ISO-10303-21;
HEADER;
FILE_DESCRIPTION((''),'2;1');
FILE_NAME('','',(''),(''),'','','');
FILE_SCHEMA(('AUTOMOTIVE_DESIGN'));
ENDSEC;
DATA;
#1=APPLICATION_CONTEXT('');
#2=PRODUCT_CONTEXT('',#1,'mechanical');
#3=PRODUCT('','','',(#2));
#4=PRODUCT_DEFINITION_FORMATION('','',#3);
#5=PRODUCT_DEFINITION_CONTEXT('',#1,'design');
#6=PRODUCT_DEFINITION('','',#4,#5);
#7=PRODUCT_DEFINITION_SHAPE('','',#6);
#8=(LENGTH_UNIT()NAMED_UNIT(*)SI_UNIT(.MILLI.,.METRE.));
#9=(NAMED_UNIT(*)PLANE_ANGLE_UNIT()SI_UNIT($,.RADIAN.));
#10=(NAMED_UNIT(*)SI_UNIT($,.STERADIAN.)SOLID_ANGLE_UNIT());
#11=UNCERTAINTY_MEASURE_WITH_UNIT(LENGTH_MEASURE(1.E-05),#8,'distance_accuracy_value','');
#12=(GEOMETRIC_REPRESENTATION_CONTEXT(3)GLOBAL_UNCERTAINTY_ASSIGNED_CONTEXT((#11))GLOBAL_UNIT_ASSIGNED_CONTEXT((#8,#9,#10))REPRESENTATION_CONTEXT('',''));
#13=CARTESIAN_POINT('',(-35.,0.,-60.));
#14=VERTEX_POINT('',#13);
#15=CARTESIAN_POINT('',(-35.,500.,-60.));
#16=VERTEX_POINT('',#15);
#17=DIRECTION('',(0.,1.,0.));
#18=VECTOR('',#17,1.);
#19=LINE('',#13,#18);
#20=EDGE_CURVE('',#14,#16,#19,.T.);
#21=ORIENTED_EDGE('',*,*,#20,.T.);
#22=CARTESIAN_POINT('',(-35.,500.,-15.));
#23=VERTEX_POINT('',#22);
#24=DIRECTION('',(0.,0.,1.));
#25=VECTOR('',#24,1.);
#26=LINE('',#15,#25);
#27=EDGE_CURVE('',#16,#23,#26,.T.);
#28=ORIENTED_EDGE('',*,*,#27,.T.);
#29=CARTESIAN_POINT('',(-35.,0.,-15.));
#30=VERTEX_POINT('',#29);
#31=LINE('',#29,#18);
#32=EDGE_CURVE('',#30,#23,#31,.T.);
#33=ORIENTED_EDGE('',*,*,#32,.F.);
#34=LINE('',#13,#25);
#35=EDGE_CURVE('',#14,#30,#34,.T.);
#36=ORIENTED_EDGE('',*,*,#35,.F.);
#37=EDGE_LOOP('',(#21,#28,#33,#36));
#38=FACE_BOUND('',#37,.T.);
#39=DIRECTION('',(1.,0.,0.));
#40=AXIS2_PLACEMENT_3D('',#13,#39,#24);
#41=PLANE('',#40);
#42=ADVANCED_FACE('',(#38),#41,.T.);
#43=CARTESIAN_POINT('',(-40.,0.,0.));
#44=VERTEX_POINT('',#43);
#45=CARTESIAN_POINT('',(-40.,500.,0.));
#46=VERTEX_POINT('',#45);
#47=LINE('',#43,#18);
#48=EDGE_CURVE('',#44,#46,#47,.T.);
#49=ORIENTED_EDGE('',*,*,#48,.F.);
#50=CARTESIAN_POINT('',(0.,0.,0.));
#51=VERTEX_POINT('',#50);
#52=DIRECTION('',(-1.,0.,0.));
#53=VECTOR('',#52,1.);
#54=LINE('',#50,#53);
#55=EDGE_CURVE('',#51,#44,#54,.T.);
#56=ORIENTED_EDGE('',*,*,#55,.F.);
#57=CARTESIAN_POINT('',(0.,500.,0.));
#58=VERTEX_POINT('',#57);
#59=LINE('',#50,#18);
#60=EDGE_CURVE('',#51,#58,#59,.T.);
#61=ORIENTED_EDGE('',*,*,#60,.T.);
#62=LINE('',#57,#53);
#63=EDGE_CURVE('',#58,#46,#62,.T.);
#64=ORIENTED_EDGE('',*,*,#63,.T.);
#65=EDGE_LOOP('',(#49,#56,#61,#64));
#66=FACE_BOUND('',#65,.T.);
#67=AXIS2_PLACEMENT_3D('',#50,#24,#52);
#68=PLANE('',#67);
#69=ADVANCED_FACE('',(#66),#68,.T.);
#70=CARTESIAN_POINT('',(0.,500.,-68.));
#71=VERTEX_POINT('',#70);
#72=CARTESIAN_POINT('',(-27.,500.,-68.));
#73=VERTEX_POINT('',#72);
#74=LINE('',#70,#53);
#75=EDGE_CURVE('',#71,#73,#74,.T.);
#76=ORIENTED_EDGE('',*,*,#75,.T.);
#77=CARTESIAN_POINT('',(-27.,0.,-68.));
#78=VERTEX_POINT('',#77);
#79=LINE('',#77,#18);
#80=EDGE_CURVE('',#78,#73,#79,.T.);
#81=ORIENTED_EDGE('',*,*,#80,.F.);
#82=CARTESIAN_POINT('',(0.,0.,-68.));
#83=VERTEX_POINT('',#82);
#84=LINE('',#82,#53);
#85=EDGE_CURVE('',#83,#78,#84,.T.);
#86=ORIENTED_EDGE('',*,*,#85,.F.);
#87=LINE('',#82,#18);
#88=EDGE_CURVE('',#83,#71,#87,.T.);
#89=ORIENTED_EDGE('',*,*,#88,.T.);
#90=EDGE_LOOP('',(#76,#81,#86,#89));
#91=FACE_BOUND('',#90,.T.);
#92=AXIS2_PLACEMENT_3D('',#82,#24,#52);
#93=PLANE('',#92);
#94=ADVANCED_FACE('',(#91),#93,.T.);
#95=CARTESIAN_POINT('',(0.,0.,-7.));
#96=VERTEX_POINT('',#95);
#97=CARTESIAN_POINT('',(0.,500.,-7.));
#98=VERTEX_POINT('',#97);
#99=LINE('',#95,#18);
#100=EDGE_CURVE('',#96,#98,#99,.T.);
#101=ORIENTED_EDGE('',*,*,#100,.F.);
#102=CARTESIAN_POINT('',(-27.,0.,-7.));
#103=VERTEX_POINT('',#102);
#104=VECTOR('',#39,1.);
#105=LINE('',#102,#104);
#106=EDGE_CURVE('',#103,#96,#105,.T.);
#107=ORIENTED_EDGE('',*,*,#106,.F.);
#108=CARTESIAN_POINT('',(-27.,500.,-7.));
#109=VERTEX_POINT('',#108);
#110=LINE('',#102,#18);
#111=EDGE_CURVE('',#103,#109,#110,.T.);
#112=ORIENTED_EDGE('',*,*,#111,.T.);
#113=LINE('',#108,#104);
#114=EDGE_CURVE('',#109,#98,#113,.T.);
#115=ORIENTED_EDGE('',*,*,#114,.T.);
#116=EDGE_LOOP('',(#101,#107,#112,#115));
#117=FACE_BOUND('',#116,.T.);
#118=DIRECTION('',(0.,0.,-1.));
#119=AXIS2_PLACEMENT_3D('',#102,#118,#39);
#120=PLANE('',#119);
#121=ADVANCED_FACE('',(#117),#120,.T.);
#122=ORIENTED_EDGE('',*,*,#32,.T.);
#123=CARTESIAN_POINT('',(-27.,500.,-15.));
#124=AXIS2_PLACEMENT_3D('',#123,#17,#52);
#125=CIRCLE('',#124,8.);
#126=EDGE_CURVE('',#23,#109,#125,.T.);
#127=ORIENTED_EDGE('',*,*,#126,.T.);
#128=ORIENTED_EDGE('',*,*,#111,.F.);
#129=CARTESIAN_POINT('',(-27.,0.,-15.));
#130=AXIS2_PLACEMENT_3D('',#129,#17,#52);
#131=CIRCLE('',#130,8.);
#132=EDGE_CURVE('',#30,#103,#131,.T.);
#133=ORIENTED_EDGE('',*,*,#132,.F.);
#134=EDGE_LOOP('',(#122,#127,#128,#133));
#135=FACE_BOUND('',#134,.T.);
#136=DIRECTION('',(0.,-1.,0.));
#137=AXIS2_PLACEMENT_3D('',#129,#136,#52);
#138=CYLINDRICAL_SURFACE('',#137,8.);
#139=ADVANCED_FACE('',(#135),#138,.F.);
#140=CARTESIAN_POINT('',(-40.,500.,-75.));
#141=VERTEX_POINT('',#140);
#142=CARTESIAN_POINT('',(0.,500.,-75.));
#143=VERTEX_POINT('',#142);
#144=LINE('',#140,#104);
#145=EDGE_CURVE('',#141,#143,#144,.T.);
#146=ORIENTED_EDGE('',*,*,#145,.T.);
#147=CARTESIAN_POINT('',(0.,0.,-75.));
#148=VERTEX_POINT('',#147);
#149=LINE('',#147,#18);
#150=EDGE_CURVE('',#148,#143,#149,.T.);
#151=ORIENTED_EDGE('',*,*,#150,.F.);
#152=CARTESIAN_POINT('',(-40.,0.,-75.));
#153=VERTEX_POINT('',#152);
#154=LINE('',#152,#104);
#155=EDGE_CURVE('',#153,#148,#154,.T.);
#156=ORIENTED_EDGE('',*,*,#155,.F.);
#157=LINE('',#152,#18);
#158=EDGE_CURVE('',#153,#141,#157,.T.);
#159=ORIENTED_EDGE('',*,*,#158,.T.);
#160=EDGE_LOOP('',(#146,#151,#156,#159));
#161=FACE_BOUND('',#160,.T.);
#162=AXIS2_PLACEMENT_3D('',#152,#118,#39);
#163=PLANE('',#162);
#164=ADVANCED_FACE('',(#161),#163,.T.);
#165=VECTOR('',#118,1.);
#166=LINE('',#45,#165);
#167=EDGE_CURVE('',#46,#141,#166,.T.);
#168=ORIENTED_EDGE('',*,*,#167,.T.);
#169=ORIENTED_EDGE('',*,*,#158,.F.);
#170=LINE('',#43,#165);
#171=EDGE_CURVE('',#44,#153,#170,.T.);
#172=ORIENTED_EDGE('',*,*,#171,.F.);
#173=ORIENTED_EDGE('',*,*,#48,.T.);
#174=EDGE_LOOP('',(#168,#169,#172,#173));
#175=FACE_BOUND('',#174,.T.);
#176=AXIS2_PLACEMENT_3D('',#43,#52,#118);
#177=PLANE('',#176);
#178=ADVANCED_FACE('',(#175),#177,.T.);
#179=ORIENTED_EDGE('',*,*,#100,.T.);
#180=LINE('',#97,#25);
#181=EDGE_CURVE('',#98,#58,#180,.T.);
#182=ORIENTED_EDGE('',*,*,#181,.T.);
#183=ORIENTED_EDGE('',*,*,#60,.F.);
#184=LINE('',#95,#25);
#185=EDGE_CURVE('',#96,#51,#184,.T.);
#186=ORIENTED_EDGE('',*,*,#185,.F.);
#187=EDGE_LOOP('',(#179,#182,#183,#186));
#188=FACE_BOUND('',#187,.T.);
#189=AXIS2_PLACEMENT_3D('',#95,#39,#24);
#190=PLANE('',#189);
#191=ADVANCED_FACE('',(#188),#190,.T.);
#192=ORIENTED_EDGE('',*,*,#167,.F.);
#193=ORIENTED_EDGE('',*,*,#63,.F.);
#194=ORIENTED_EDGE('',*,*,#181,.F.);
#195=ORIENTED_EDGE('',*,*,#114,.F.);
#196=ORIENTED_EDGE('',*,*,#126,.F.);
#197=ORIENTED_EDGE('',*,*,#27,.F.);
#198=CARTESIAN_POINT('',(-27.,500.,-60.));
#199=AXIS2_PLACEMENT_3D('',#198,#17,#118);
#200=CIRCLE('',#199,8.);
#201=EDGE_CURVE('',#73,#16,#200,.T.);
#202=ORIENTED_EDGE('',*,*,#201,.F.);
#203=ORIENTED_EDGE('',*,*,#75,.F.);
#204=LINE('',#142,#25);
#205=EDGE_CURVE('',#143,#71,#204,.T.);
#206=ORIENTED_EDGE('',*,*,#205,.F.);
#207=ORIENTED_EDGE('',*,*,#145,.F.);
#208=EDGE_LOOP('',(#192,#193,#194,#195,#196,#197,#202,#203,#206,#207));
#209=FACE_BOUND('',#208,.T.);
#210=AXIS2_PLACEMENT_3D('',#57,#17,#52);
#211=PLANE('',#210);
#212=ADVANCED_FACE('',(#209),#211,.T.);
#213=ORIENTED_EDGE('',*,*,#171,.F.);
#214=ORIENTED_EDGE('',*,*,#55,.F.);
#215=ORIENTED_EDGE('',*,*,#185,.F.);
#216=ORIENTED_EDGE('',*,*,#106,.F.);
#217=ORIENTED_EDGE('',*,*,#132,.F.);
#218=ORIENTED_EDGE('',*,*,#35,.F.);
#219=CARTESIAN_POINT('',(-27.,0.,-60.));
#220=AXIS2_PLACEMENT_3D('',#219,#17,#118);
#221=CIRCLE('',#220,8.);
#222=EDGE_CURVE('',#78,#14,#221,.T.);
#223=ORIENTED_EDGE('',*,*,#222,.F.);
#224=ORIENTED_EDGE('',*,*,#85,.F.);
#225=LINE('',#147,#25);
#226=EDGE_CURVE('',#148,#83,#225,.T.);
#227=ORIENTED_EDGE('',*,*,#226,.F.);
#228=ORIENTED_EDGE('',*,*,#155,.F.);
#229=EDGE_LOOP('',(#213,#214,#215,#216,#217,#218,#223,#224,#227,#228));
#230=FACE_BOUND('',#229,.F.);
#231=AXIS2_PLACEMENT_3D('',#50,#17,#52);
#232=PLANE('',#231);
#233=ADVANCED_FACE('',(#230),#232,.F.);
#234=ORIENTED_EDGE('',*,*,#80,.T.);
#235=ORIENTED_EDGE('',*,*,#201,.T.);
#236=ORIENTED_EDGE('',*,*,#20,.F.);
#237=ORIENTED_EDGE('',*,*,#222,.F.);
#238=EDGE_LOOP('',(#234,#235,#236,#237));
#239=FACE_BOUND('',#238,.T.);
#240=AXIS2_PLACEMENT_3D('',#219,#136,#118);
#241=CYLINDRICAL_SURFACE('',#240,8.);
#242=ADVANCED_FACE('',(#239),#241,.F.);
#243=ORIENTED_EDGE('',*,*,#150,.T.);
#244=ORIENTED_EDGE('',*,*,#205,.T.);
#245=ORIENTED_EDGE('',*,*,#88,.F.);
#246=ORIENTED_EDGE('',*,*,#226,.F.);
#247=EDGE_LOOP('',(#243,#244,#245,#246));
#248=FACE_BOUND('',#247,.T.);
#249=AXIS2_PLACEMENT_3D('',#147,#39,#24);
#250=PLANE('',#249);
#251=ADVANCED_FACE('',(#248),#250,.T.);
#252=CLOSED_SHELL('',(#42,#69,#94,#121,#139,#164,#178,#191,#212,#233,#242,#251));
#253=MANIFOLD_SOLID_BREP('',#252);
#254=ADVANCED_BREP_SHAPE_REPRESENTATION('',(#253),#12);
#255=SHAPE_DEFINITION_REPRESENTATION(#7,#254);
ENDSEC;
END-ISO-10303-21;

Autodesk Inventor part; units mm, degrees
ref_plane "YZ Plane" through (0, 0, 0) normal (1, 0, 0) x (0, 1, 0)
ref_plane "XZ Plane" through (0, 0, 0) normal (0, 1, 0) x (-1, 0, 0)
ref_plane "XY Plane" through (0, 0, 0) normal (0, 0, 1) x (1, 0, 0)
sketch "Sketch1" plane through (0, 0, 0) normal (0, 1, 0) x (-1, 0, 0)
  point P0 (0, 0)
sketch "Sketch2" plane through (0, 0, 0) normal (0, 1, 0) x (-1, 0, 0)
  line L0 (0, 0) -> (40, 0)
  line L1 (40, 0) -> (40, -75)
  line L2 (40, -75) -> (0, -75)
  line L3 (0, -75) -> (0, -68)
  line L4 (0, -68) -> (27, -68)
  line L5 (35, -60) -> (35, -15)
  line L6 (27, -7) -> (0, -7)
  line L7 (0, -7) -> (0, 0)
  arc A0 (35, -15) -> (27, -7) centre (27, -15) ccw
  arc A1 (27, -68) -> (35, -60) centre (27, -60) ccw
  point P0 (35, -68)
  point P1 (35, -7)
  dimension "d0" = 40
  dimension "d1" = 75
  dimension "d2" = 40
  dimension "d3" = 7
  dimension "d5" = 35
  dimension "d6" = 61
  dimension "d7" = 8
extrude "Extrusion1" add sketch "Sketch2" along normal blind 500
properties part number "Channel2"
